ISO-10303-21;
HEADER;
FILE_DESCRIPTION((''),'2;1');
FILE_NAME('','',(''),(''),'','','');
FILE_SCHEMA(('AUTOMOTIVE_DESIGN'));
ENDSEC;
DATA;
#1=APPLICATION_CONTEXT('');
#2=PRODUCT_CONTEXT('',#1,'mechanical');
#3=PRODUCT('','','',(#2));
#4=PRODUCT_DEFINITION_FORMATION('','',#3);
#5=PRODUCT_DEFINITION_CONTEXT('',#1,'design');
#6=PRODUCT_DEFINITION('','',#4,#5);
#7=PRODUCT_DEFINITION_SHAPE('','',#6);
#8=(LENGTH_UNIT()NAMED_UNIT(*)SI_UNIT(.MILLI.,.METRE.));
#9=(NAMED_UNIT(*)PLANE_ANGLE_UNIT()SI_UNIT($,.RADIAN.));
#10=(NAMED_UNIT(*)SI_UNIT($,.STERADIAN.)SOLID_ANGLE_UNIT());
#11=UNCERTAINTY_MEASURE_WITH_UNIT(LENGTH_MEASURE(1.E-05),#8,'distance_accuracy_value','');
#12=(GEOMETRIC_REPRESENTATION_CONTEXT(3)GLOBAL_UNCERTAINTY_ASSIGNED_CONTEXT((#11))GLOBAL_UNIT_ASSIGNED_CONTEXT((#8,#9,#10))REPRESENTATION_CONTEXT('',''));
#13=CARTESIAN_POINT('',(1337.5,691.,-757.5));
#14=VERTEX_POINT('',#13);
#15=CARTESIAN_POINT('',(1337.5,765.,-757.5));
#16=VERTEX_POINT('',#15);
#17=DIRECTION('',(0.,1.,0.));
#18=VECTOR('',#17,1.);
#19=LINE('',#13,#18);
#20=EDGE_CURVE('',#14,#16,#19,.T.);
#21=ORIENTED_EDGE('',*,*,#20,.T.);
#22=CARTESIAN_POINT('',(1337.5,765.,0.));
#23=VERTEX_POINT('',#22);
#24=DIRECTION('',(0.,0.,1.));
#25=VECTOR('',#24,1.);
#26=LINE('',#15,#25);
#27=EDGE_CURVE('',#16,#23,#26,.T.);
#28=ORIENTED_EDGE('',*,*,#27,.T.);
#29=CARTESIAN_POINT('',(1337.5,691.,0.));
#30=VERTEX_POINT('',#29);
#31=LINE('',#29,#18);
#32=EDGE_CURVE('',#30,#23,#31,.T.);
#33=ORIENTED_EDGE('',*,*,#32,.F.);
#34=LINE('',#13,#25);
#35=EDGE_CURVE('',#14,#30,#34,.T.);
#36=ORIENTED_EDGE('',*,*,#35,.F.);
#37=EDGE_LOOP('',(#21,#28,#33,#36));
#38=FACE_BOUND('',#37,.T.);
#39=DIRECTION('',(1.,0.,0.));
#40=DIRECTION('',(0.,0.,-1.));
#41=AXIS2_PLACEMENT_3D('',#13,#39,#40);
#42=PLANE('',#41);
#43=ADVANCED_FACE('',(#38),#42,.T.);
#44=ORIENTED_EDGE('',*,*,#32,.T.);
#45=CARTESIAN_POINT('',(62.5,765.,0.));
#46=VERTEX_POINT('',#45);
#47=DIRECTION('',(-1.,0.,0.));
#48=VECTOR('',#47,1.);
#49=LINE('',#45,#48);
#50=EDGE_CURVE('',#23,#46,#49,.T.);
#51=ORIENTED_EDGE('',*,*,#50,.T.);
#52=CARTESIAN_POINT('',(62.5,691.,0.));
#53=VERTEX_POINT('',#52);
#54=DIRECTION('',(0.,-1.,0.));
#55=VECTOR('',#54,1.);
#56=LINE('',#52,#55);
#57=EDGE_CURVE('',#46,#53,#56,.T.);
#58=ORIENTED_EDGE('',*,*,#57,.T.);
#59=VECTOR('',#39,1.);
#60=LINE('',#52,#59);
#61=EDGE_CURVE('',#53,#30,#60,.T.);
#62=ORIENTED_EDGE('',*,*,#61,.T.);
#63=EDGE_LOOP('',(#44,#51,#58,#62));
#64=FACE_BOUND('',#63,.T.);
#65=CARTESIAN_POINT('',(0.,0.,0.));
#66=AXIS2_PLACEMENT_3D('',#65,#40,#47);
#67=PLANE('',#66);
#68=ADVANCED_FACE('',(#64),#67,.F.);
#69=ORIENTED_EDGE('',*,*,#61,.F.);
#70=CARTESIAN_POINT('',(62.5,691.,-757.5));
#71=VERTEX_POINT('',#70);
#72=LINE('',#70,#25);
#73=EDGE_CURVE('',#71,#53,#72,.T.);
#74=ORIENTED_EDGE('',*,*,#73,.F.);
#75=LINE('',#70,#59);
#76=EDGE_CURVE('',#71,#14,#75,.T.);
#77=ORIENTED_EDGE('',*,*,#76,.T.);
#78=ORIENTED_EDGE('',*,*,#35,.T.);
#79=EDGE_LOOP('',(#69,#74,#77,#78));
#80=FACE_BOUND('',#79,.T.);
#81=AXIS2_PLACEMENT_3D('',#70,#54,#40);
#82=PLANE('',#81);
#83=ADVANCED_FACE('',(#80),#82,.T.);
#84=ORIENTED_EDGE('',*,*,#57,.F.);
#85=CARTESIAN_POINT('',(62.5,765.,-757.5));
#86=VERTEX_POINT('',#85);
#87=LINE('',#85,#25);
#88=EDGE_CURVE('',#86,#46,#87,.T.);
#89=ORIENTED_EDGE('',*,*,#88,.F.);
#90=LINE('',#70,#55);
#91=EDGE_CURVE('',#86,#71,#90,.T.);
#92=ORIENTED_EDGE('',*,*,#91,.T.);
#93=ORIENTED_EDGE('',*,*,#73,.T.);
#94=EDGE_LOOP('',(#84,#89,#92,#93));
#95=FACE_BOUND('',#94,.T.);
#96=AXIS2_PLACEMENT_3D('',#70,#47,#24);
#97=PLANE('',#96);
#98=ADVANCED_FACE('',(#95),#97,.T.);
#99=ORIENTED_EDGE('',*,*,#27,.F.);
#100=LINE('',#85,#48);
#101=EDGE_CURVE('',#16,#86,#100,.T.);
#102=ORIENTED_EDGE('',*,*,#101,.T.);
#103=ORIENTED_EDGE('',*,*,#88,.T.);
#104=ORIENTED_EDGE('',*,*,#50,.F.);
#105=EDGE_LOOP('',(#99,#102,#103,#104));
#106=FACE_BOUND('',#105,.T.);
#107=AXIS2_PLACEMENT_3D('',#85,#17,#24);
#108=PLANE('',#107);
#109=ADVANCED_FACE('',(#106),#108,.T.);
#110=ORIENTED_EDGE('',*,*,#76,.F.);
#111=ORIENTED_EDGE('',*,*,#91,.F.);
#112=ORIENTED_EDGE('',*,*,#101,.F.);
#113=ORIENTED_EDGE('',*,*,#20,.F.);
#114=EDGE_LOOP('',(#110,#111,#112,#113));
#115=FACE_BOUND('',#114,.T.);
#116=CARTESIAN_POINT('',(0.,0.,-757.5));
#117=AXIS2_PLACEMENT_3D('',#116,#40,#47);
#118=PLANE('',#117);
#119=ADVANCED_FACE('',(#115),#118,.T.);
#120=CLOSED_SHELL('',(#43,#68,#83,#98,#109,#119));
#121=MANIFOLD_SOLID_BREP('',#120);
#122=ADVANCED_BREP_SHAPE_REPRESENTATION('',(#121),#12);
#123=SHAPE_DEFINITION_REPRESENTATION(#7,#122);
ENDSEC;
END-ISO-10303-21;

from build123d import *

# Parameters (mm, degrees)
SKETCH1_W                = 1275
SKETCH1_H                = 74
STORE_AYIRICI_PU_1_DEPTH = 757.5


with BuildPart() as part:
    # Sketch1 → STORE_ayirici_pu_1 (new body)
    with BuildSketch(Plane.XY):
        with Locations((700, 728)):
            Rectangle(SKETCH1_W, SKETCH1_H)
    extrude(amount=-STORE_AYIRICI_PU_1_DEPTH)


solid = part.part
